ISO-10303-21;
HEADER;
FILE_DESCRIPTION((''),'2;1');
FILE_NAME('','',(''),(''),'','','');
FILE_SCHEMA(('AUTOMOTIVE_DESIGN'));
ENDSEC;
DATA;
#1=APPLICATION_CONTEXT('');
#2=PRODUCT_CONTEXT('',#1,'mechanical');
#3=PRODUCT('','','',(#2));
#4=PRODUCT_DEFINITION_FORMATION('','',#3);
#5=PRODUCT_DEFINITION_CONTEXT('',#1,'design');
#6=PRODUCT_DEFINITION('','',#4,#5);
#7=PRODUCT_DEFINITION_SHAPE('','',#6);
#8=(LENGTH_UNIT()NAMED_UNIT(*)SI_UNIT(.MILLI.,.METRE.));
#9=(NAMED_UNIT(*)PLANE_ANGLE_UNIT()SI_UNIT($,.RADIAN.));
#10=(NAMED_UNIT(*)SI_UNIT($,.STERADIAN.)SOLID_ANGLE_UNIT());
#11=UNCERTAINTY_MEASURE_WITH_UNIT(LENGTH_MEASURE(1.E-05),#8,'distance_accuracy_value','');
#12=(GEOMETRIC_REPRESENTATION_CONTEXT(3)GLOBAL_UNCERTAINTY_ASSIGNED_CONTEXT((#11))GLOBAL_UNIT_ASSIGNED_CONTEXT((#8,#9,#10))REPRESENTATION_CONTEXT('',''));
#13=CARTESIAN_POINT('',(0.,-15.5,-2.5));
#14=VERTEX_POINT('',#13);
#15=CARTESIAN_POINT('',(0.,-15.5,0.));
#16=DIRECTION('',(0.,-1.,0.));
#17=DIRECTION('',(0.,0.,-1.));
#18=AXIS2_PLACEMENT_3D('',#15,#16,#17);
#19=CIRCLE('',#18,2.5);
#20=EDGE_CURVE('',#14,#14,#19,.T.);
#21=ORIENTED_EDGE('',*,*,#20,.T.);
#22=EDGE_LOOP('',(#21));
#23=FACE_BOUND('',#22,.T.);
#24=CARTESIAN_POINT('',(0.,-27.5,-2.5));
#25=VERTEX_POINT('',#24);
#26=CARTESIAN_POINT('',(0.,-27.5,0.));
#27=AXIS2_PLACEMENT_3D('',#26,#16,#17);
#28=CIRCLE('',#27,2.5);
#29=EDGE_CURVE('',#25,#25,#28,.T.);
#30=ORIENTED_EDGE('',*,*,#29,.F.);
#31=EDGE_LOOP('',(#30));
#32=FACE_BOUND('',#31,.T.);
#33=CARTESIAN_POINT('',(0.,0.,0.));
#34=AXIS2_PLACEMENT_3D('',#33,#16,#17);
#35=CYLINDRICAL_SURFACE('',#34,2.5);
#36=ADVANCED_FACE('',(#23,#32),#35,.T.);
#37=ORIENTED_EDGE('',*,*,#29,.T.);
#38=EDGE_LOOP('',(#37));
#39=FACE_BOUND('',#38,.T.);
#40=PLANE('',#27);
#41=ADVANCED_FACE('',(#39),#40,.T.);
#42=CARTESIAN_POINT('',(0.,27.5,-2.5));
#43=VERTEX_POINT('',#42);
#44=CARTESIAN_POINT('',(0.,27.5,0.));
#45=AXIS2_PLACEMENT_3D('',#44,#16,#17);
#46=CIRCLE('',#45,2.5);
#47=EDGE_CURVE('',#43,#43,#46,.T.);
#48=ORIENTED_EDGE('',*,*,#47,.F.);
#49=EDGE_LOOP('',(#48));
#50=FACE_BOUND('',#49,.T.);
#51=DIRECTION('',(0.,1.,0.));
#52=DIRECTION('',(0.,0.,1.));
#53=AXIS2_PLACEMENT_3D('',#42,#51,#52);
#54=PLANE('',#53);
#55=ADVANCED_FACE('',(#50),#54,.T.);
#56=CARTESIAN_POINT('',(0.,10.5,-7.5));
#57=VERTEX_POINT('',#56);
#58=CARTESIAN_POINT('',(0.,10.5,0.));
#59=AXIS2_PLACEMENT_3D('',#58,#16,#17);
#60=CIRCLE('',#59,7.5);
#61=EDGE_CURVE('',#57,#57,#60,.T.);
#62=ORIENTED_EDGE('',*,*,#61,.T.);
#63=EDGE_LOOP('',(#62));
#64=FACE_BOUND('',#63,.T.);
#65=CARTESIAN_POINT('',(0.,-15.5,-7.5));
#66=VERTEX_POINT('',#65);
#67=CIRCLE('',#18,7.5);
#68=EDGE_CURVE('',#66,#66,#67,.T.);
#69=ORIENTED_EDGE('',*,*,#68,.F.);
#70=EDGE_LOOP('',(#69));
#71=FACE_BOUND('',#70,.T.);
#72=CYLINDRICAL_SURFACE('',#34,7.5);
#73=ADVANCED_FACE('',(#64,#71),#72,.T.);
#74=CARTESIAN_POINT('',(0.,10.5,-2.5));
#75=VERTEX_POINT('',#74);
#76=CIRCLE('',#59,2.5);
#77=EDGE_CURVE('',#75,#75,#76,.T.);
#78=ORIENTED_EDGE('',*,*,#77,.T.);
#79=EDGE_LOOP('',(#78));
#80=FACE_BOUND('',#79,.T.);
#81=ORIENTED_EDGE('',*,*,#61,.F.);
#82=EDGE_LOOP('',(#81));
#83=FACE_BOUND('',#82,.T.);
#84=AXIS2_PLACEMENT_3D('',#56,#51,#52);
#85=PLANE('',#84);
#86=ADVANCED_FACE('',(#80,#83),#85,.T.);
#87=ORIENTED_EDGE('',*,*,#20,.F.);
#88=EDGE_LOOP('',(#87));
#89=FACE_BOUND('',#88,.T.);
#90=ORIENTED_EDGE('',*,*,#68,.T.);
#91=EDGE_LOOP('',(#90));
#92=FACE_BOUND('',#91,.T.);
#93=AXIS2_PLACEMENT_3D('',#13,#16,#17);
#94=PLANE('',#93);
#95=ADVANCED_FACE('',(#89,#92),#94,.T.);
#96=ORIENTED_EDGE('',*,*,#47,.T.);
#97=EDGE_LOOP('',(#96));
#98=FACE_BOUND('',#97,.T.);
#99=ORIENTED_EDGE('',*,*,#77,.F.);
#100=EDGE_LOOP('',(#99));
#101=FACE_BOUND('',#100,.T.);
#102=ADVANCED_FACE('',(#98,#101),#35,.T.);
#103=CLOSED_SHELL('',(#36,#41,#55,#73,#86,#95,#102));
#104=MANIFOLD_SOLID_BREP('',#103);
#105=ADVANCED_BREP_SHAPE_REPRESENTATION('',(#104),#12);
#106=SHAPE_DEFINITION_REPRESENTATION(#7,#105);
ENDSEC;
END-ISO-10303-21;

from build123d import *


with BuildPart() as part:
    # Sketch1 → Revolve1 (revolve)
    with BuildSketch(Plane(origin=(0, 0, 0), x_dir=(0, 0, -1), z_dir=(1, 0, 0))):
        Polygon((0, -27.5), (2.5, -27.5), (2.5, -15.5), (7.5, -15.5), (7.5, 10.5), (2.5, 10.5), (2.5, 27.5), (0, 27.5), align=None)
    revolve(axis=Axis((0, 0, 0), (0, 1, 0)))


solid = part.part
